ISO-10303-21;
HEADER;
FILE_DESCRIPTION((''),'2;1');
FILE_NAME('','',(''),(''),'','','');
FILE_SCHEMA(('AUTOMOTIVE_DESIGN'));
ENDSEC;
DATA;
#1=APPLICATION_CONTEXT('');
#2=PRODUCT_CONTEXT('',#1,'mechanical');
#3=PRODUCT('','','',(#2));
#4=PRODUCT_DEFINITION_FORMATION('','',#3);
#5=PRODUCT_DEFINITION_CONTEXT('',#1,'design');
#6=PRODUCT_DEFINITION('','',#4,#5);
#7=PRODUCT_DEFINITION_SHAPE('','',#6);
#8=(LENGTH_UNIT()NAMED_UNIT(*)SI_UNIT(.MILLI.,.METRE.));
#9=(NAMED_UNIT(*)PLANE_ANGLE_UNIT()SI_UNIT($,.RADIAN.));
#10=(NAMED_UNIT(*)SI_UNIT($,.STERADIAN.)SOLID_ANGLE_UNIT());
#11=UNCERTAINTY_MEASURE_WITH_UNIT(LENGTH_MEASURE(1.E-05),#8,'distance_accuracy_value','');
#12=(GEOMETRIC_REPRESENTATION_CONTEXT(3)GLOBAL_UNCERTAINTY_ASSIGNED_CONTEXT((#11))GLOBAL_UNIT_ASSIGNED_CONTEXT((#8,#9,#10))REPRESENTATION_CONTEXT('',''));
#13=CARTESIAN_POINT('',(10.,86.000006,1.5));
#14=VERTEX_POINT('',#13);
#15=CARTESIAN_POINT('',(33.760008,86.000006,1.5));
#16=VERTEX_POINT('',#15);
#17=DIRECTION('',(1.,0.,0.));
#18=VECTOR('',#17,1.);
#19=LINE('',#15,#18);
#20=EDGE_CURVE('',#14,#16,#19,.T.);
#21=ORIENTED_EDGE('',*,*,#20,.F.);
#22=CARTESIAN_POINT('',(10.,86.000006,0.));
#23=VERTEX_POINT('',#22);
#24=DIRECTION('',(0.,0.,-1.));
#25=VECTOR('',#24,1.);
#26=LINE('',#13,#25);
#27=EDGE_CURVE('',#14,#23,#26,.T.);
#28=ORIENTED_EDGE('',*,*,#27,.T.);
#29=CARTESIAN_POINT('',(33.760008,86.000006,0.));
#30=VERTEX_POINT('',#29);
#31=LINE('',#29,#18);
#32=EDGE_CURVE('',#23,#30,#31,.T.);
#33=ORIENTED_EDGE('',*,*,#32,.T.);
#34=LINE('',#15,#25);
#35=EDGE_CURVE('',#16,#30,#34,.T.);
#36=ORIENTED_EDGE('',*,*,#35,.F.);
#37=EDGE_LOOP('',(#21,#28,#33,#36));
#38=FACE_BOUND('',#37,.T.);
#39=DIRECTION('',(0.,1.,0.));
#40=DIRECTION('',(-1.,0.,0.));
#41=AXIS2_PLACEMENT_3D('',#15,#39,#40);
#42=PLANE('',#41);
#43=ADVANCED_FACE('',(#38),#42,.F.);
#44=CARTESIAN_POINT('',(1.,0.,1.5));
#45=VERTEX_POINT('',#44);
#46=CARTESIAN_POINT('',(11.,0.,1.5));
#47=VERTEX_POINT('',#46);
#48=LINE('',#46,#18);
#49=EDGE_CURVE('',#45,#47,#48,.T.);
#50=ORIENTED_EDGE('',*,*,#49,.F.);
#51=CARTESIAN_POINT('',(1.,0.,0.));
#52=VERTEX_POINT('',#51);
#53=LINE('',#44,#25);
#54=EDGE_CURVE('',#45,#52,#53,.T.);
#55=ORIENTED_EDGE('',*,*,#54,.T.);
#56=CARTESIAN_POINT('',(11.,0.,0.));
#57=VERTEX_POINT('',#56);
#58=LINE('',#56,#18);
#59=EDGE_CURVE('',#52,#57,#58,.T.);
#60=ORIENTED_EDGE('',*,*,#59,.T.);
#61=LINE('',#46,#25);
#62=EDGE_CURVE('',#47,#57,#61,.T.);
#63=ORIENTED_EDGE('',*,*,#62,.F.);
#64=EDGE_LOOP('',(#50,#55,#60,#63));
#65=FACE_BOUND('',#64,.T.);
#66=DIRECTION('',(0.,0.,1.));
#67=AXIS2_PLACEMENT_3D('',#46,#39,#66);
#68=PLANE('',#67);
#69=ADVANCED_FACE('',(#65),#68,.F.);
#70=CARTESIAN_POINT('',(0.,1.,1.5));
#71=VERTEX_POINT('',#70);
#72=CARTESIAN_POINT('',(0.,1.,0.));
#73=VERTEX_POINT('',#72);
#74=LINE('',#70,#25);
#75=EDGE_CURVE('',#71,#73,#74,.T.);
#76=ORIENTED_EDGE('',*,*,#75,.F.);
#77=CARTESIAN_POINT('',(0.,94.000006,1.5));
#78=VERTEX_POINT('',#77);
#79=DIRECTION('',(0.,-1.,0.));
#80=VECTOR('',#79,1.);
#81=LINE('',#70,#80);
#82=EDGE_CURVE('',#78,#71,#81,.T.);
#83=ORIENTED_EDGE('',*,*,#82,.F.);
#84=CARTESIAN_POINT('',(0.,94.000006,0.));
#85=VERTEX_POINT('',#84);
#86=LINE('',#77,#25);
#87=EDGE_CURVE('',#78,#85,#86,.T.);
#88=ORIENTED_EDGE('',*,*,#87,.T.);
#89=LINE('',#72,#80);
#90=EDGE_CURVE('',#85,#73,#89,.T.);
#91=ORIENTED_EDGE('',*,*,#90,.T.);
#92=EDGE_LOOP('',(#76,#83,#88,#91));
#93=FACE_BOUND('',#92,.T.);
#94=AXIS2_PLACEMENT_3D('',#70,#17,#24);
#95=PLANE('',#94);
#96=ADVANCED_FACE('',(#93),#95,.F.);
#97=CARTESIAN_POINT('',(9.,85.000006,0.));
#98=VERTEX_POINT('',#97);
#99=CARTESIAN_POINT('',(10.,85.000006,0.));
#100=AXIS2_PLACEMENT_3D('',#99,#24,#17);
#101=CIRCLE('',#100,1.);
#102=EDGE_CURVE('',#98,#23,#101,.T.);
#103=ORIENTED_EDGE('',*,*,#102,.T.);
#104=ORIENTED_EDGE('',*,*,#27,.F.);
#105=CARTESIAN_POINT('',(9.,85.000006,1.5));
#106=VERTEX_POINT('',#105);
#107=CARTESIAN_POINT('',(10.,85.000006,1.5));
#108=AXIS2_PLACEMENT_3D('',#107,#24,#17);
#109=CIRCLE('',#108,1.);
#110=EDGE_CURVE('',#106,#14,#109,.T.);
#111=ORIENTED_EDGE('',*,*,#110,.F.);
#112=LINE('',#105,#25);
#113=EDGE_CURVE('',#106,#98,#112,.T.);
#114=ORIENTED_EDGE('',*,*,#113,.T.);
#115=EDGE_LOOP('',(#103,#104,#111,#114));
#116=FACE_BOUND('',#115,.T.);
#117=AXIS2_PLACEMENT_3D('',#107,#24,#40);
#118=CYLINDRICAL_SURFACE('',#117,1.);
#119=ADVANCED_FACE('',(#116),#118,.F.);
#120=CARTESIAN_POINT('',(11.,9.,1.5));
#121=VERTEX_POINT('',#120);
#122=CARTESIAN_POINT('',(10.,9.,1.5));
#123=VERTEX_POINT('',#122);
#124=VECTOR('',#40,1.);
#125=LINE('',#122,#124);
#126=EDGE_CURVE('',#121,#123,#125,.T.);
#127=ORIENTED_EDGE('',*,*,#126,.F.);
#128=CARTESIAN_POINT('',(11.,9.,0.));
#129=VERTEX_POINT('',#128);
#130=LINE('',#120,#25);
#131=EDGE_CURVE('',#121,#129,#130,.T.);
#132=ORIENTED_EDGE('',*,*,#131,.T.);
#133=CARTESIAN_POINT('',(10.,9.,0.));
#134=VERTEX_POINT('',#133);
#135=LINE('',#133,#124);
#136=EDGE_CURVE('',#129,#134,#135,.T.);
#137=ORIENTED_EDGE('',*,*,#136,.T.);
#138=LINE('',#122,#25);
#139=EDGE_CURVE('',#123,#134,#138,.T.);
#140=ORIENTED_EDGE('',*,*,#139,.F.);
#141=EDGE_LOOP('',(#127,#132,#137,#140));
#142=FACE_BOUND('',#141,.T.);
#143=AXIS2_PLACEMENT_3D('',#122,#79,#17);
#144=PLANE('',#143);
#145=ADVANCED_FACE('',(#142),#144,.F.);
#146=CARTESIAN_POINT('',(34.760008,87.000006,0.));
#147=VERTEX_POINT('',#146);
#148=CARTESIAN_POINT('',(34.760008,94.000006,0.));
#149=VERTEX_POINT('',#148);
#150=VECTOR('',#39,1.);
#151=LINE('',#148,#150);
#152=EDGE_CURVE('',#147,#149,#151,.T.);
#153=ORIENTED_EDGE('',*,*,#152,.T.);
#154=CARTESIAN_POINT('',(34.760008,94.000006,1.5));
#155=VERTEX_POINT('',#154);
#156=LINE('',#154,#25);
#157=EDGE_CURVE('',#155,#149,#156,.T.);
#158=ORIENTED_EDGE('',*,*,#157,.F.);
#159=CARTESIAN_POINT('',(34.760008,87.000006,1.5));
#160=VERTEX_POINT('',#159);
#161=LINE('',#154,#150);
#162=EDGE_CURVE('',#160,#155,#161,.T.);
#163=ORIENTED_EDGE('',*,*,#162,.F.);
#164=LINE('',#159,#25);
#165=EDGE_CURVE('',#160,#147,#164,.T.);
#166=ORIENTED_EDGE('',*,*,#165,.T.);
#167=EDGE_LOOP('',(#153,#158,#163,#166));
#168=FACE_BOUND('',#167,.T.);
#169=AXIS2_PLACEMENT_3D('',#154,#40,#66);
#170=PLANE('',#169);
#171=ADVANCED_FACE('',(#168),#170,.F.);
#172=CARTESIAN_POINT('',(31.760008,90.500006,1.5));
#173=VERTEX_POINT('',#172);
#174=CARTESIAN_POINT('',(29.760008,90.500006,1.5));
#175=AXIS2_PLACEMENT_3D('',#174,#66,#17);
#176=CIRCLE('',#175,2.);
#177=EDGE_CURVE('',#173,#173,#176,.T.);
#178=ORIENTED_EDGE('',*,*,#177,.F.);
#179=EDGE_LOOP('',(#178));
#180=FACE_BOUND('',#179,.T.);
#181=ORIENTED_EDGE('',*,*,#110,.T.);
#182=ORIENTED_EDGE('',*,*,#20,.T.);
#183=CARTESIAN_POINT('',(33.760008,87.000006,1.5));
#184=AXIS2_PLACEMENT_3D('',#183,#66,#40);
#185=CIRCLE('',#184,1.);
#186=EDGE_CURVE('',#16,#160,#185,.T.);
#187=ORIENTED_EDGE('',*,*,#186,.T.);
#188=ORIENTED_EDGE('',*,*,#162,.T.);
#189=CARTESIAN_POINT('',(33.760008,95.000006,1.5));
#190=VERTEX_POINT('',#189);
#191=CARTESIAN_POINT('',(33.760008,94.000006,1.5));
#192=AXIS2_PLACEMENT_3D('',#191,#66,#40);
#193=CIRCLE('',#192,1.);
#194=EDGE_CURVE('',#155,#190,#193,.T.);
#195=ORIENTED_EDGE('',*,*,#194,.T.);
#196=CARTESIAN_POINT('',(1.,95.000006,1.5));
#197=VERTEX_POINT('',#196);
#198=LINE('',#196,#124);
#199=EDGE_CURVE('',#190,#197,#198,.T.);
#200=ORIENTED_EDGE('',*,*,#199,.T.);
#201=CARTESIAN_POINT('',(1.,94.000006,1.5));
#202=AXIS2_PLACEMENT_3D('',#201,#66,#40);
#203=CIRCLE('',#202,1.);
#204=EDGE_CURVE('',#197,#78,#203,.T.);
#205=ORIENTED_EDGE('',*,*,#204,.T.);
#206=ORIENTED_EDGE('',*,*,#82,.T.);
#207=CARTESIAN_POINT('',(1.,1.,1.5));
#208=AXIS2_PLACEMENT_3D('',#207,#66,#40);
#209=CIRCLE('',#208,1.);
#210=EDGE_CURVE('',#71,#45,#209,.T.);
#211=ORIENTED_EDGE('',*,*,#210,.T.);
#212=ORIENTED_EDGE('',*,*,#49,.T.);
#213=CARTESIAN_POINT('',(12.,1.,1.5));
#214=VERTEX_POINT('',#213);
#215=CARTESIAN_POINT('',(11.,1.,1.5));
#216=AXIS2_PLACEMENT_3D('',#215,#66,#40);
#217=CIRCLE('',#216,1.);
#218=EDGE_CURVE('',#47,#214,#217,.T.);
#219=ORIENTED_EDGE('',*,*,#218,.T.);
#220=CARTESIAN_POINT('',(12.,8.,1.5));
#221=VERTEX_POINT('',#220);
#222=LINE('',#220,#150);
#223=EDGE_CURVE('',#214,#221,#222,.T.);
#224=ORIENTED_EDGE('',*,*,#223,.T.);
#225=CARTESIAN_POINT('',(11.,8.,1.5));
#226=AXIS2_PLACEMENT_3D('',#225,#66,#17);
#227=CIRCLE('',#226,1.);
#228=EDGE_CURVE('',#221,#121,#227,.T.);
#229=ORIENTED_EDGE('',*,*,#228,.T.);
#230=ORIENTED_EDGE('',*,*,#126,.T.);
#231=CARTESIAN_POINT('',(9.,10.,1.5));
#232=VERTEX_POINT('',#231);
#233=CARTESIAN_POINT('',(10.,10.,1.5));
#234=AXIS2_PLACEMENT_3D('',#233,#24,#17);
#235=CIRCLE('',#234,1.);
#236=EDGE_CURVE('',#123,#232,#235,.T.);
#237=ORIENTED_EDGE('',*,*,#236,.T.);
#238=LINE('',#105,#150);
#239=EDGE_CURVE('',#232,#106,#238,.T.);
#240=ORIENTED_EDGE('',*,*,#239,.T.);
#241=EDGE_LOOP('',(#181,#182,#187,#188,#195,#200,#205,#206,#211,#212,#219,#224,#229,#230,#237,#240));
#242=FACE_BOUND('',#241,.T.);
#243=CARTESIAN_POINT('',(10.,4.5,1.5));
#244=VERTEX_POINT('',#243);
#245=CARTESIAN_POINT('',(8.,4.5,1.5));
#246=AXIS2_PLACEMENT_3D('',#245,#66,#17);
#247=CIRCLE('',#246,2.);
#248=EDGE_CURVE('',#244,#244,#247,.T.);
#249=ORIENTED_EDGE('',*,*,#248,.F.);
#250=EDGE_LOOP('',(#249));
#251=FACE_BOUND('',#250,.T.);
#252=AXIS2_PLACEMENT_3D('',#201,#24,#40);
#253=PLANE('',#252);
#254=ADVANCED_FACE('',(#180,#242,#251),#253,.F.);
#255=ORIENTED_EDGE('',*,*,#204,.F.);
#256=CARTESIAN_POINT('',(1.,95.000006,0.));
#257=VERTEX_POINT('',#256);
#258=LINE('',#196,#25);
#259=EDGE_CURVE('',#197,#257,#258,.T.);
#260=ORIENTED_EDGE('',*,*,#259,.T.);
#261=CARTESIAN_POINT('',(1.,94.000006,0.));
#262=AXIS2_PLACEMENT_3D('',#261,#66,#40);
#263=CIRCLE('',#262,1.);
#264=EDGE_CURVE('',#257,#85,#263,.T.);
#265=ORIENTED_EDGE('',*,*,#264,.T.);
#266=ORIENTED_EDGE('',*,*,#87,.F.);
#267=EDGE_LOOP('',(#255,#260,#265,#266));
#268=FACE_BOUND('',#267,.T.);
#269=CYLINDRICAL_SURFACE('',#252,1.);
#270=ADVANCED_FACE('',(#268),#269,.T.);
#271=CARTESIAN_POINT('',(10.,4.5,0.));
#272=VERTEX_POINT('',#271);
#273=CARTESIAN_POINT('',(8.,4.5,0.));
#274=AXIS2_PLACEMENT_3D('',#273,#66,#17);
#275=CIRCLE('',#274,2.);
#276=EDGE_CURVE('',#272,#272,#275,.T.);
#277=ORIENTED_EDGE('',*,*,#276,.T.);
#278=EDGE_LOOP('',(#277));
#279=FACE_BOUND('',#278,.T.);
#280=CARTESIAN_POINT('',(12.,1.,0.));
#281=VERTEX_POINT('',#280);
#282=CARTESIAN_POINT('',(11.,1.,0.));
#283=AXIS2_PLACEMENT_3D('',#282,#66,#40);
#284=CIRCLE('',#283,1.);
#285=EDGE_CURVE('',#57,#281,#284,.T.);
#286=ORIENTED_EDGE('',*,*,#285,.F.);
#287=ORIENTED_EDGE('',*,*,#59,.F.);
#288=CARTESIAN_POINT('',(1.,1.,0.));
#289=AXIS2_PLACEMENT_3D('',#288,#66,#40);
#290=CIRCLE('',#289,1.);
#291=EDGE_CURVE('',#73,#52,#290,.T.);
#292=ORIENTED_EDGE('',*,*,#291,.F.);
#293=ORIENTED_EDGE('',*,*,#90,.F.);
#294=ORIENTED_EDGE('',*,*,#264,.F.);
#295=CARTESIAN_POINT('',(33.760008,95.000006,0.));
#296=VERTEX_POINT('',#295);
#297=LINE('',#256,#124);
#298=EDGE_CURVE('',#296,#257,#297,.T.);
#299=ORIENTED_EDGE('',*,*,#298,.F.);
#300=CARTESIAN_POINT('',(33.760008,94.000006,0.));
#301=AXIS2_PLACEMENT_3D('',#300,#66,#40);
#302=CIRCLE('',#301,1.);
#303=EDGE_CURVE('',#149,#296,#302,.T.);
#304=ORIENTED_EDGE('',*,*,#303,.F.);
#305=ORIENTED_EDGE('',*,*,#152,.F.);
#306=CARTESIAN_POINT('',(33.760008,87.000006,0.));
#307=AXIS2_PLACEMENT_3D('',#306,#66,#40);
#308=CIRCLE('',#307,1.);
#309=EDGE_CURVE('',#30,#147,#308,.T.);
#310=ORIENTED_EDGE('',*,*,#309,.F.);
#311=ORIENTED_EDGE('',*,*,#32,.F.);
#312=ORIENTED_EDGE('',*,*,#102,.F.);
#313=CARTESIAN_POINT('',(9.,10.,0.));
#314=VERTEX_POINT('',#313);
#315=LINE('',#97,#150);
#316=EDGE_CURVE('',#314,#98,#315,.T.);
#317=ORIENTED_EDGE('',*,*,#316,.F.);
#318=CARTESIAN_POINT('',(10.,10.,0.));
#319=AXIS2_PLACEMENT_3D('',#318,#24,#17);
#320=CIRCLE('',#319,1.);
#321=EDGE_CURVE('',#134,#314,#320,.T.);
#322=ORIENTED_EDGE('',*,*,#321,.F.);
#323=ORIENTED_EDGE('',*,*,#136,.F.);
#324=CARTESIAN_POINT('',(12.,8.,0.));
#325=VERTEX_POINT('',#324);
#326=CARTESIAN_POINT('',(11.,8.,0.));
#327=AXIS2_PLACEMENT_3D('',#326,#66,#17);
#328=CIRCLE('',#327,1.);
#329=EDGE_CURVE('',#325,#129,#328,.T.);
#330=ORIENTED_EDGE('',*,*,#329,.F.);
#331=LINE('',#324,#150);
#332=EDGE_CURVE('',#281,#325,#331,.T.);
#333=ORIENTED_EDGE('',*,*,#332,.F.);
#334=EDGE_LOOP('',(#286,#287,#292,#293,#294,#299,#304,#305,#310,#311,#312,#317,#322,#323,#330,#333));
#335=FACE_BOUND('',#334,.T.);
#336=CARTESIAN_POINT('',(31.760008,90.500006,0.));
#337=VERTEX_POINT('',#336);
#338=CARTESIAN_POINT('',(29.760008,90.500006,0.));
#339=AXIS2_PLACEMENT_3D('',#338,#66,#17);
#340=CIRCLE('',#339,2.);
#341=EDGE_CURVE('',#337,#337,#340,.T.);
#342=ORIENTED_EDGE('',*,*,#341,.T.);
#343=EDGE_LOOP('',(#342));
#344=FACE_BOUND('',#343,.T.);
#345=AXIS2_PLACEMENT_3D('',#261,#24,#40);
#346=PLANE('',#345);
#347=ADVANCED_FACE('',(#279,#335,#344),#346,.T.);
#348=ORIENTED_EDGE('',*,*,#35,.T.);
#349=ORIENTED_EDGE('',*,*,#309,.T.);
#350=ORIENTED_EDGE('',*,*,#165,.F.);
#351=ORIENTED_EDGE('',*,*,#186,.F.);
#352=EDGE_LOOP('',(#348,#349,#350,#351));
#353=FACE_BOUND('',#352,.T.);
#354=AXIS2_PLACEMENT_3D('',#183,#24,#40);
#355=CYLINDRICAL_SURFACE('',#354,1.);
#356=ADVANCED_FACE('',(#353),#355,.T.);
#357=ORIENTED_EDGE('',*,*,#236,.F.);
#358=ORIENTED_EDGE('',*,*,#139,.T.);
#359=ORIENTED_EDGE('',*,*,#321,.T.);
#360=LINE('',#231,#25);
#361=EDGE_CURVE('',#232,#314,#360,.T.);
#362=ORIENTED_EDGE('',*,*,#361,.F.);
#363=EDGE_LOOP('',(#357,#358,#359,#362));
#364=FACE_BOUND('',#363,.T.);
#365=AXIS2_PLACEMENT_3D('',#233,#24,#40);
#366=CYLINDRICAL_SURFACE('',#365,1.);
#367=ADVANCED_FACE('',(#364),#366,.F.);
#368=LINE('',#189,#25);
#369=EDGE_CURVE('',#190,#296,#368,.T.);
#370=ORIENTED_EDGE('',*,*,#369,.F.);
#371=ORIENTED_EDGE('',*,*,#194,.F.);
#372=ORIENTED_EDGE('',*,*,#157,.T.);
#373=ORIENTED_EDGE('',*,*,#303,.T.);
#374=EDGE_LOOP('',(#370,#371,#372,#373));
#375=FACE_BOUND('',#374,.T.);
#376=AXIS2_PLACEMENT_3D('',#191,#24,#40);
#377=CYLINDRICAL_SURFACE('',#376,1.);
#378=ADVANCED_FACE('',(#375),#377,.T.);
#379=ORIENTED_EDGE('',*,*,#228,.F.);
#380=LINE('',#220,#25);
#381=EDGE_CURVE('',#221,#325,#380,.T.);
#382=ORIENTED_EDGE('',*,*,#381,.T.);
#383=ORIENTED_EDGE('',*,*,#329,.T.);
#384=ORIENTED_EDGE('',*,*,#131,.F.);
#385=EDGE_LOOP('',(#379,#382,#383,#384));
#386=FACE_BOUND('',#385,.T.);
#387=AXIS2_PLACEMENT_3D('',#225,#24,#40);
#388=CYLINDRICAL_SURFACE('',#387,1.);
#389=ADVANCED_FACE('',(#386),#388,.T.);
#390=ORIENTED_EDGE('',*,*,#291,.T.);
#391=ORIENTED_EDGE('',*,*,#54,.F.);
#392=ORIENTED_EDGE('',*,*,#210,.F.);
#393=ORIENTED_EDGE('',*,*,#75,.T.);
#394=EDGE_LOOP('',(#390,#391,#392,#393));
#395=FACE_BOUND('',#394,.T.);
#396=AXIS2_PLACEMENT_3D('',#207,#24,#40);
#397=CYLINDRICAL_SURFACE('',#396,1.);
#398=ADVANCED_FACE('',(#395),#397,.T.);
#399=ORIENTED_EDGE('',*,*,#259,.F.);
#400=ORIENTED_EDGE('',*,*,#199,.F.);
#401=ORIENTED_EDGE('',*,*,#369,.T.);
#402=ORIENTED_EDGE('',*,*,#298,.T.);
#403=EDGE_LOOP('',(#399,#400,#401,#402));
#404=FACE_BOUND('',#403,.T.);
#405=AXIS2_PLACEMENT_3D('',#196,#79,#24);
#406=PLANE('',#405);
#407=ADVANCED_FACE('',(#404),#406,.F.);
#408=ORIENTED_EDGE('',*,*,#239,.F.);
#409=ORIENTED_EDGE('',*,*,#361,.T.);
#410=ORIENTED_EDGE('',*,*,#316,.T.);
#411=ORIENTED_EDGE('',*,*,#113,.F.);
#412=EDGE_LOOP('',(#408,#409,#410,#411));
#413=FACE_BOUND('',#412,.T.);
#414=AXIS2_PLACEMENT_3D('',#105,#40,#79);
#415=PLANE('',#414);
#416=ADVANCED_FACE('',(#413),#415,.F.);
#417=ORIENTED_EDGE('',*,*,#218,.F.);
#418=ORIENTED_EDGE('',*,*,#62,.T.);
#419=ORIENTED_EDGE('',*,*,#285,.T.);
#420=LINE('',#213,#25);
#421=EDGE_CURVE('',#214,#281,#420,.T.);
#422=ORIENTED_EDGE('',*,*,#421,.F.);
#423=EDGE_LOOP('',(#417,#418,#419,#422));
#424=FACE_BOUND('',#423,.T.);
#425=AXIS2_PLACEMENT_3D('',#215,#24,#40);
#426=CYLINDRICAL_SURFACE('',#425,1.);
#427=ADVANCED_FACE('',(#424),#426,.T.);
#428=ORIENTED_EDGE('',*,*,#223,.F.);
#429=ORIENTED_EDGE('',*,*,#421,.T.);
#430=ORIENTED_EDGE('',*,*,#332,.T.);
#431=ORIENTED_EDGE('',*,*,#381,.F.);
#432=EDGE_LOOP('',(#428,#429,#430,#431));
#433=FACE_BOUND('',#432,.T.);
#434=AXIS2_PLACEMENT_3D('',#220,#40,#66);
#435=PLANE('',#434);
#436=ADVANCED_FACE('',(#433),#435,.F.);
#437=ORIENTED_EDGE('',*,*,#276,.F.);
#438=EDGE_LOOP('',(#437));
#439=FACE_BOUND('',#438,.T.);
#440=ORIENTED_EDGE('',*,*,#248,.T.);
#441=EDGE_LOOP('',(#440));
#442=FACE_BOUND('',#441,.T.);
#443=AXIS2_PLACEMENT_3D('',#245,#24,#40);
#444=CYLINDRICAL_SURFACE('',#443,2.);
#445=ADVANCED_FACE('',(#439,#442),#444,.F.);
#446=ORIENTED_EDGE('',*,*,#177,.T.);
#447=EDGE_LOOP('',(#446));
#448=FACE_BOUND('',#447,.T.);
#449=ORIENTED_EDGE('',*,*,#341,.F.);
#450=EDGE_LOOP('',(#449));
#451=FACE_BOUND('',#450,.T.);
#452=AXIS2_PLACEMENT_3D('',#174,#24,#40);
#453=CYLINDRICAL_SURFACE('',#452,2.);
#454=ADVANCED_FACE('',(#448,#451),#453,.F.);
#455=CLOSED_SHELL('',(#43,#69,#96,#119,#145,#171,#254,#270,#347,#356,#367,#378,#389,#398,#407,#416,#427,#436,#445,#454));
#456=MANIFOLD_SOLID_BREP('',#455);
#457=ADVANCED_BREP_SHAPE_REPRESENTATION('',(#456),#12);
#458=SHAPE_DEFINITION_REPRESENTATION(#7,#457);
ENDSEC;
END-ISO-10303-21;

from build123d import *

# Parameters (mm, degrees)
SKETCH1_R           = 2
BOSS_EXTRUDE1_DEPTH = 1.5


with BuildPart() as part:
    # Sketch1 → Boss-Extrude1 (new body)
    with BuildSketch(Plane.XY):
        with BuildLine():
            Line((12, 8), (12, 1))
            ThreePointArc((12, 1), (11.707106781, 0.292893219), (11, 0))
            Line((11, 0), (1, 0))
            ThreePointArc((1, 0), (0.292893219, 0.292893219), (0, 1))
            Line((0, 1), (0, 94.000005673))
            ThreePointArc((0, 94.000005673), (0.292893219, 94.707112454), (1, 95.000005673))
            Line((1, 95.000005673), (33.760008368, 95.000005673))
            ThreePointArc((33.760008368, 95.000005673), (34.467115149, 94.707112454), (34.760008368, 94.000005673))
            Line((34.760008368, 94.000005673), (34.760008368, 87.000005673))
            ThreePointArc((34.760008368, 87.000005673), (34.467115149, 86.292898892), (33.760008368, 86.000005673))
            Line((33.760008368, 86.000005673), (10, 86.000005673))
            ThreePointArc((10, 86.000005673), (9.292893219, 85.707112454), (9, 85.000005673))
            Line((9, 85.000005673), (9, 10))
            ThreePointArc((9, 10), (9.292893219, 9.292893219), (10, 9))
            Line((10, 9), (11, 9))
            ThreePointArc((11, 9), (11.707106781, 8.707106781), (12, 8))
        make_face()
        with Locations((29.760008368, 90.500005673)):
            Circle(SKETCH1_R, mode=Mode.SUBTRACT)
        with Locations((8, 4.5)):
            Circle(SKETCH1_R, mode=Mode.SUBTRACT)
    extrude(amount=BOSS_EXTRUDE1_DEPTH)


solid = part.part
